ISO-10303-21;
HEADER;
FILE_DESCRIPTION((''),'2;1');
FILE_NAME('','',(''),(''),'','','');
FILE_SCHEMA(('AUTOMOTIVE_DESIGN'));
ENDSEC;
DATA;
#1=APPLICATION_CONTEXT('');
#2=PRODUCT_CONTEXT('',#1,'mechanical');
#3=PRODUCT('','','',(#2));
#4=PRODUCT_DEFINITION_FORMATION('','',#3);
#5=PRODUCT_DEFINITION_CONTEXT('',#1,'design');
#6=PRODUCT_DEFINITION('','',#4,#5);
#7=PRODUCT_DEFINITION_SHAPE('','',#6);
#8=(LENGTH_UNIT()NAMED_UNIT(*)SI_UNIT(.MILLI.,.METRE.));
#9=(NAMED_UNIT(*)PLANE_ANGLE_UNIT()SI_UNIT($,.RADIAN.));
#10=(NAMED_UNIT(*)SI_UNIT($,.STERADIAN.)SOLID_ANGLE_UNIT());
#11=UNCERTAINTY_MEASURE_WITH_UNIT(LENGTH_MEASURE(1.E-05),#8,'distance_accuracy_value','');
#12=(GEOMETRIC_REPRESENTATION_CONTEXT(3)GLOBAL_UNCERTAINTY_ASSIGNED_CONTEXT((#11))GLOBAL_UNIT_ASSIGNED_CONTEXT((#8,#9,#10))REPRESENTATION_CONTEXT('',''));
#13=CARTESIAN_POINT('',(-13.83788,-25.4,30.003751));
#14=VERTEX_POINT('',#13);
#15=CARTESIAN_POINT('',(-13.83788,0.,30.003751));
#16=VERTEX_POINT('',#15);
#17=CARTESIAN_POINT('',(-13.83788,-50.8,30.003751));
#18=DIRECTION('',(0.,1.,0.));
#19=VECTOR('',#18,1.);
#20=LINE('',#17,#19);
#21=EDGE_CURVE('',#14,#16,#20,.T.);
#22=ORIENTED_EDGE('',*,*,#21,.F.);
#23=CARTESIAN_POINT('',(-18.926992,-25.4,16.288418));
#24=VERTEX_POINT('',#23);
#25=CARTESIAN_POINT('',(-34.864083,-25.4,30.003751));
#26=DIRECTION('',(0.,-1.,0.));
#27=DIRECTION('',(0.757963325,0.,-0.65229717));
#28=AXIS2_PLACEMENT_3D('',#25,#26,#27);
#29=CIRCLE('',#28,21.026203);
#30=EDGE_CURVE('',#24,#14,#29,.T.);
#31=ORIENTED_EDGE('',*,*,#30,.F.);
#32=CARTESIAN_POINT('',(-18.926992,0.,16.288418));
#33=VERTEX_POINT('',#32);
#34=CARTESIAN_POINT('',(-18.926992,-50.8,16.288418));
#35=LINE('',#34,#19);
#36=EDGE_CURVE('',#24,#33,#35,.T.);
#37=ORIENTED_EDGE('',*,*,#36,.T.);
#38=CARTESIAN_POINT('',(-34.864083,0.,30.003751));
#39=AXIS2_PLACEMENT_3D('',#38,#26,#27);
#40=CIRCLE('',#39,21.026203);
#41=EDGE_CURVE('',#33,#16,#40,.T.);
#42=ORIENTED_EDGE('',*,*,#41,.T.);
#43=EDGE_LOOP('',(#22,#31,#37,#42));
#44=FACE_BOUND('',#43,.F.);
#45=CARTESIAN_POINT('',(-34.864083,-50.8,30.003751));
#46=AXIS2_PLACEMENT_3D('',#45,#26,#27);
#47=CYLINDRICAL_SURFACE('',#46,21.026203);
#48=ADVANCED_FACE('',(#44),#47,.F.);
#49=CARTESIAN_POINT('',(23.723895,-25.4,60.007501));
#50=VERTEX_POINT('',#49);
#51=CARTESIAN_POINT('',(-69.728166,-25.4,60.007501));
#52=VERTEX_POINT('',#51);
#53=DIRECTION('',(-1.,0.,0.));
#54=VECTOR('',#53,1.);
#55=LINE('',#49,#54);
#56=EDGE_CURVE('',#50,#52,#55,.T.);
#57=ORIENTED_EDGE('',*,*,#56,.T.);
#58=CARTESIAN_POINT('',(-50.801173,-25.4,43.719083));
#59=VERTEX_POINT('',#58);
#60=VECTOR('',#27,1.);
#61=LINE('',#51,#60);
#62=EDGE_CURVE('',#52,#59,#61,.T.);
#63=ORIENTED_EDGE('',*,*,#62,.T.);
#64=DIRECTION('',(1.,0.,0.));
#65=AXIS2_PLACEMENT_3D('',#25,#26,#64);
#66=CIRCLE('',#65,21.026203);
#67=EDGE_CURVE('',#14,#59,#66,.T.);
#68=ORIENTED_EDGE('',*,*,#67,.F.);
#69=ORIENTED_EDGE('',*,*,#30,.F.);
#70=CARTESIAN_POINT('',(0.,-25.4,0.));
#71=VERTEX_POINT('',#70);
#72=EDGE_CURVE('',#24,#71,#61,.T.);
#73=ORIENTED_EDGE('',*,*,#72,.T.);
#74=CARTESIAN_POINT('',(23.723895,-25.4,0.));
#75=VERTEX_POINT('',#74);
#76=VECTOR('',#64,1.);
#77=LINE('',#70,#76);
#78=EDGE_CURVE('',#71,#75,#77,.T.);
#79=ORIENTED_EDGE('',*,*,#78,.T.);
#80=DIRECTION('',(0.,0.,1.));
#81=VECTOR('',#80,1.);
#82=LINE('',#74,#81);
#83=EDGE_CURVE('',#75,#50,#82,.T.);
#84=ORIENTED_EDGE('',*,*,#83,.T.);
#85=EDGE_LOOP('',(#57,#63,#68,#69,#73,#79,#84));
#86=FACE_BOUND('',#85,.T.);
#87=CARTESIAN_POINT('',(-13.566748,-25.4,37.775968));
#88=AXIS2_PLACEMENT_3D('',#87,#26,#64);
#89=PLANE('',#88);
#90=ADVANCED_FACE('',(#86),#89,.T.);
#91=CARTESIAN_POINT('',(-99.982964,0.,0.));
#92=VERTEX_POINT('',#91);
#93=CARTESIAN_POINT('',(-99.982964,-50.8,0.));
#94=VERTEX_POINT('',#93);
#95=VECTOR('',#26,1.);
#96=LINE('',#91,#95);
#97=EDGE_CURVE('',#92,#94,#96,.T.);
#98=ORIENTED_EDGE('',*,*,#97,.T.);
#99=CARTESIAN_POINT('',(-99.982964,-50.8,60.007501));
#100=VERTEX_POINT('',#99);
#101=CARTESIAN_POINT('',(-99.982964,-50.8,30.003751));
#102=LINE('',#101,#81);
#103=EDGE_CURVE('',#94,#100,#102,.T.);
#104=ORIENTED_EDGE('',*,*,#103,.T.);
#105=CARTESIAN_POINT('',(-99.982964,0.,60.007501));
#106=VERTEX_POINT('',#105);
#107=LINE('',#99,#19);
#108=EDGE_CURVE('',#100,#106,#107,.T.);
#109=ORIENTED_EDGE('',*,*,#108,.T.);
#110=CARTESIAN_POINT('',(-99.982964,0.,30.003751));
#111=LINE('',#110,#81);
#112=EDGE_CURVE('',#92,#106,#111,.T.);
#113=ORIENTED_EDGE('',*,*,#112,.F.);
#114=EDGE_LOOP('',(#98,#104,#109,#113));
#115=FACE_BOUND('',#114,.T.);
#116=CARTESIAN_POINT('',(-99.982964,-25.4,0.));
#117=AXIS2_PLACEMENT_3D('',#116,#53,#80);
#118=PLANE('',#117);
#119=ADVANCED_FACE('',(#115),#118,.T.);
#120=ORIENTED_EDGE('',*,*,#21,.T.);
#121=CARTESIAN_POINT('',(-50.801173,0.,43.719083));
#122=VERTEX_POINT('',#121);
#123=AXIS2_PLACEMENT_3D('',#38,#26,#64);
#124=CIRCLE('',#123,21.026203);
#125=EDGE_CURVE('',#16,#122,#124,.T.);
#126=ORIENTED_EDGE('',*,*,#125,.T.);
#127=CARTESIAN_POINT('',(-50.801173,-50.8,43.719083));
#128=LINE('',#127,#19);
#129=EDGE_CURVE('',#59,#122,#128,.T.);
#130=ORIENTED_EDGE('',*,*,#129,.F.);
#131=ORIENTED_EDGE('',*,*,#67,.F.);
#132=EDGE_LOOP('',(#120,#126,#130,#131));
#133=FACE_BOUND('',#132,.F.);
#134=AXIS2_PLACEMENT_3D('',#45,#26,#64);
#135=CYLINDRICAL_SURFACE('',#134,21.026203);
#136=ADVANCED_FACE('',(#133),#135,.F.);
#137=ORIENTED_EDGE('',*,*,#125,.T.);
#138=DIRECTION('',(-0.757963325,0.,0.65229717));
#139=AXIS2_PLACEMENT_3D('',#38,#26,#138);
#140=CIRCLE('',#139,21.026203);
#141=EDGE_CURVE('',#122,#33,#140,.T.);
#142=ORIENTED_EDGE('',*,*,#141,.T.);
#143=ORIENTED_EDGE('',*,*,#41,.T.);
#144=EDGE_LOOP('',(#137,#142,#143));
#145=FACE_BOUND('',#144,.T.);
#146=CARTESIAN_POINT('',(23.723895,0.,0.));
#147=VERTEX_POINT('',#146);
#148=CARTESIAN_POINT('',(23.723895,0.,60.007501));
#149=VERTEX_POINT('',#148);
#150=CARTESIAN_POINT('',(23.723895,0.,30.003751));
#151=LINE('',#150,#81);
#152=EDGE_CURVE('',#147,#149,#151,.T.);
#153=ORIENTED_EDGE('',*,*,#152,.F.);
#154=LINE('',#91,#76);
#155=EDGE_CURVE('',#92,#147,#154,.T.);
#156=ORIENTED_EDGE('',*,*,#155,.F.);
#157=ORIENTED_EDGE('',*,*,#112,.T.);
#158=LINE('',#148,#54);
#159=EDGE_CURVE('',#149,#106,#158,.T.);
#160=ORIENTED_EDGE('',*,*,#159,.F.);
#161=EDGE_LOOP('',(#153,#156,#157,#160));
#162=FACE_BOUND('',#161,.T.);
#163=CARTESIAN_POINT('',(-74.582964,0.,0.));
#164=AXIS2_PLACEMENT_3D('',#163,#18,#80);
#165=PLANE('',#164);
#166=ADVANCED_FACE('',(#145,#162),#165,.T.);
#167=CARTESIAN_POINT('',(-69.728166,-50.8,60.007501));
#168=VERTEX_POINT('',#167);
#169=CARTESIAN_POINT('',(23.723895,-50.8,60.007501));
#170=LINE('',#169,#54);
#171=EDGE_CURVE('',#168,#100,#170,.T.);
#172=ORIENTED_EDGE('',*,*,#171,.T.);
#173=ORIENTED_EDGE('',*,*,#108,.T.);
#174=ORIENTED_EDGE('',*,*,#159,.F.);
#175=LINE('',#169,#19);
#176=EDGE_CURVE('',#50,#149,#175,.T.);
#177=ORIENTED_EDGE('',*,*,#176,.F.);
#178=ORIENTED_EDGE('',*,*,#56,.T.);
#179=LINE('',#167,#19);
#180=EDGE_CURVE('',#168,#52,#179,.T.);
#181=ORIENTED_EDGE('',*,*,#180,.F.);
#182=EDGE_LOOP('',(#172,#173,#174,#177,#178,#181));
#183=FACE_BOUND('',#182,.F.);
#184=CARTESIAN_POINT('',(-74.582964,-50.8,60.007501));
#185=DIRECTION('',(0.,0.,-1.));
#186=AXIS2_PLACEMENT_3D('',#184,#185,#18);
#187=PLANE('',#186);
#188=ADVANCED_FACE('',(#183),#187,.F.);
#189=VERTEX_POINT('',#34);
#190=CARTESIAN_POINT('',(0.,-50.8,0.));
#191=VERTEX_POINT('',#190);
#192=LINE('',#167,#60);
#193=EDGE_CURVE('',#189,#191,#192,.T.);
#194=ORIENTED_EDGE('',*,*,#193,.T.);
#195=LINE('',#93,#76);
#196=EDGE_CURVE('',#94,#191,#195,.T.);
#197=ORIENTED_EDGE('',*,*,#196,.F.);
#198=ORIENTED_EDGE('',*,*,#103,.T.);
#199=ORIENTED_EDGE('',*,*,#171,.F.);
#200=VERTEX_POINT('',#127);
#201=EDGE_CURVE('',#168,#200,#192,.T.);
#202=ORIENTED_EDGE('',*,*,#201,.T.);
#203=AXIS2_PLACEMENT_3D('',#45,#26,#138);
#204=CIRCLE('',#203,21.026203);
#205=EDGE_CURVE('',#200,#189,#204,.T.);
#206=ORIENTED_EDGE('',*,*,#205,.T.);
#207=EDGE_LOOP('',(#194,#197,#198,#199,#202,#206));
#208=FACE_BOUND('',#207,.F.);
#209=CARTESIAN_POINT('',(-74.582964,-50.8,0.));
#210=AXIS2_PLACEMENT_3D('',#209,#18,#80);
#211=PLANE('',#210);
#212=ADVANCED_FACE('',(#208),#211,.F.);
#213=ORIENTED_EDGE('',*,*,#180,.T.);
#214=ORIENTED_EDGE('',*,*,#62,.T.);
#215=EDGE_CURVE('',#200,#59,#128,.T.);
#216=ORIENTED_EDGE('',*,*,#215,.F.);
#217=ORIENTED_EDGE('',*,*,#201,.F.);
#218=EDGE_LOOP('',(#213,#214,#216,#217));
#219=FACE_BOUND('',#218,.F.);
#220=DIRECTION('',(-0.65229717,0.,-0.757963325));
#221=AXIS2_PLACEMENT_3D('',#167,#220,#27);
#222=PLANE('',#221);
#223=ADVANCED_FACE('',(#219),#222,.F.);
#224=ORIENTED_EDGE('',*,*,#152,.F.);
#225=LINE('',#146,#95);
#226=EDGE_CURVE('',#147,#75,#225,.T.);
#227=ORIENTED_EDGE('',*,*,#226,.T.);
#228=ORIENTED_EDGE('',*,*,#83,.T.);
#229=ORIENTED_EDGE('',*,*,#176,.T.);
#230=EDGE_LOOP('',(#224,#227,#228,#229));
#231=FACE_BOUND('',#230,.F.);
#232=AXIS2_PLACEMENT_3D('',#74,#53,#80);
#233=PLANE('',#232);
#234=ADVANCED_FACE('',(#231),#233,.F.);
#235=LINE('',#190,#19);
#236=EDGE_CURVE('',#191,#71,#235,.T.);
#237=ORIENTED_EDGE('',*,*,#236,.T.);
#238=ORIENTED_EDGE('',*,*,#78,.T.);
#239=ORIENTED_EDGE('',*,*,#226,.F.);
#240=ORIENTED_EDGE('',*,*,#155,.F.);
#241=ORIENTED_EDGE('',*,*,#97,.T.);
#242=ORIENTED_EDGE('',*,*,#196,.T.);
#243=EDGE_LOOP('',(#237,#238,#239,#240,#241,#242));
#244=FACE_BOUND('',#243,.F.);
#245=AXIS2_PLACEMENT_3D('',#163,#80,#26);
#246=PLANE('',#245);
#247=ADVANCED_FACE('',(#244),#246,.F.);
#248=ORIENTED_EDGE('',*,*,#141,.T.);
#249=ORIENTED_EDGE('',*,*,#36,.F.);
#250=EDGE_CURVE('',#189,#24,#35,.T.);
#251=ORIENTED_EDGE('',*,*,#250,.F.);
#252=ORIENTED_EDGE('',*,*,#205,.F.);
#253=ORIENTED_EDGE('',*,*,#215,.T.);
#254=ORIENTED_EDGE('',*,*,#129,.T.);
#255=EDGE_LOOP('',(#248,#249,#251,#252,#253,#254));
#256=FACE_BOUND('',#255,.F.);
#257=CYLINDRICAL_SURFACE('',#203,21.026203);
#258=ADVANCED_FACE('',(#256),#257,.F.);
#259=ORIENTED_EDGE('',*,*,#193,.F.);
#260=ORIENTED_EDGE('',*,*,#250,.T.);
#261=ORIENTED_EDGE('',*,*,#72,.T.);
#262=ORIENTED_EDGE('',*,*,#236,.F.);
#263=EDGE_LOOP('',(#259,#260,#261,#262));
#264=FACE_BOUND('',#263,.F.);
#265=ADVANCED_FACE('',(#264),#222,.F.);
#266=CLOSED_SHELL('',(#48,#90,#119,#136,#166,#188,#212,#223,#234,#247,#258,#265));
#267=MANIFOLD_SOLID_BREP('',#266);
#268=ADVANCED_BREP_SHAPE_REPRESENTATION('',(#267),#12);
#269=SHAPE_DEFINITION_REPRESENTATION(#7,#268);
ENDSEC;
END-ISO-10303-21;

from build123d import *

# Parameters (mm, degrees)
F0_W     = 98.3068589121
F0_H     = 60.0075013936
F1_DEPTH = 25.4
F2_DEPTH = 25.4
F3_DEPTH = 25.4
F5_DEPTH = 25.4
F7_DEPTH = 58.166


with BuildPart() as f1:
    # F0 (on Front) → F1 (new body)
    with BuildSketch(Plane.XZ):
        with Locations((-25.4295347258, 30.0037506968)):
            Rectangle(F0_W, F0_H)
    extrude(amount=F1_DEPTH)

    # F2 (add): a face of the model
    f2_faces = [f1.faces().sort_by_distance(p)[0] for p in [
        (-25.4295347258, -25.4, 30.0037506968),
    ]]
    extrude(f2_faces, amount=F2_DEPTH)

    # F3 (add): a face of the model
    f3_faces = [f1.faces().sort_by_distance(p)[0] for p in [
        (-74.5829641819, -25.4, 30.0037506968),
    ]]
    extrude(f3_faces, amount=F3_DEPTH)

    # F4 (on face) → F5 (cut)
    with BuildSketch(Plane.XZ.offset(50.8)):
        Polygon((23.7238947302, 60.0075013936), (-69.7281658649, 60.0075013936), (0, 0), (23.7238947302, 0), align=None)
    extrude(amount=-F5_DEPTH, mode=Mode.SUBTRACT)

    # F6 (on face) → F7 (cut)
    with BuildSketch(Plane.XZ.offset(50.8)):
        with BuildLine():
            Line((-18.9269924475, 16.2884181963), (-50.8011734174, 43.7190831973))
            ThreePointArc((-50.8011734174, 43.7190831973), (-48.579415433, 14.0666602118), (-18.9269924475, 16.2884181963))
        make_face()
        with BuildLine():
            ThreePointArc((-18.9269924475, 16.2884181963), (-15.1511722743, 22.6892204926), (-13.8378802624, 30.0037506968))
            ThreePointArc((-13.8378802624, 30.0037506968), (-27.5495527283, 49.716661355), (-50.8011734174, 43.7190831973))
            Line((-50.8011734174, 43.7190831973), (-18.9269924475, 16.2884181963))
        make_face()
    extrude(amount=-F7_DEPTH, mode=Mode.SUBTRACT)


solid = f1.part
